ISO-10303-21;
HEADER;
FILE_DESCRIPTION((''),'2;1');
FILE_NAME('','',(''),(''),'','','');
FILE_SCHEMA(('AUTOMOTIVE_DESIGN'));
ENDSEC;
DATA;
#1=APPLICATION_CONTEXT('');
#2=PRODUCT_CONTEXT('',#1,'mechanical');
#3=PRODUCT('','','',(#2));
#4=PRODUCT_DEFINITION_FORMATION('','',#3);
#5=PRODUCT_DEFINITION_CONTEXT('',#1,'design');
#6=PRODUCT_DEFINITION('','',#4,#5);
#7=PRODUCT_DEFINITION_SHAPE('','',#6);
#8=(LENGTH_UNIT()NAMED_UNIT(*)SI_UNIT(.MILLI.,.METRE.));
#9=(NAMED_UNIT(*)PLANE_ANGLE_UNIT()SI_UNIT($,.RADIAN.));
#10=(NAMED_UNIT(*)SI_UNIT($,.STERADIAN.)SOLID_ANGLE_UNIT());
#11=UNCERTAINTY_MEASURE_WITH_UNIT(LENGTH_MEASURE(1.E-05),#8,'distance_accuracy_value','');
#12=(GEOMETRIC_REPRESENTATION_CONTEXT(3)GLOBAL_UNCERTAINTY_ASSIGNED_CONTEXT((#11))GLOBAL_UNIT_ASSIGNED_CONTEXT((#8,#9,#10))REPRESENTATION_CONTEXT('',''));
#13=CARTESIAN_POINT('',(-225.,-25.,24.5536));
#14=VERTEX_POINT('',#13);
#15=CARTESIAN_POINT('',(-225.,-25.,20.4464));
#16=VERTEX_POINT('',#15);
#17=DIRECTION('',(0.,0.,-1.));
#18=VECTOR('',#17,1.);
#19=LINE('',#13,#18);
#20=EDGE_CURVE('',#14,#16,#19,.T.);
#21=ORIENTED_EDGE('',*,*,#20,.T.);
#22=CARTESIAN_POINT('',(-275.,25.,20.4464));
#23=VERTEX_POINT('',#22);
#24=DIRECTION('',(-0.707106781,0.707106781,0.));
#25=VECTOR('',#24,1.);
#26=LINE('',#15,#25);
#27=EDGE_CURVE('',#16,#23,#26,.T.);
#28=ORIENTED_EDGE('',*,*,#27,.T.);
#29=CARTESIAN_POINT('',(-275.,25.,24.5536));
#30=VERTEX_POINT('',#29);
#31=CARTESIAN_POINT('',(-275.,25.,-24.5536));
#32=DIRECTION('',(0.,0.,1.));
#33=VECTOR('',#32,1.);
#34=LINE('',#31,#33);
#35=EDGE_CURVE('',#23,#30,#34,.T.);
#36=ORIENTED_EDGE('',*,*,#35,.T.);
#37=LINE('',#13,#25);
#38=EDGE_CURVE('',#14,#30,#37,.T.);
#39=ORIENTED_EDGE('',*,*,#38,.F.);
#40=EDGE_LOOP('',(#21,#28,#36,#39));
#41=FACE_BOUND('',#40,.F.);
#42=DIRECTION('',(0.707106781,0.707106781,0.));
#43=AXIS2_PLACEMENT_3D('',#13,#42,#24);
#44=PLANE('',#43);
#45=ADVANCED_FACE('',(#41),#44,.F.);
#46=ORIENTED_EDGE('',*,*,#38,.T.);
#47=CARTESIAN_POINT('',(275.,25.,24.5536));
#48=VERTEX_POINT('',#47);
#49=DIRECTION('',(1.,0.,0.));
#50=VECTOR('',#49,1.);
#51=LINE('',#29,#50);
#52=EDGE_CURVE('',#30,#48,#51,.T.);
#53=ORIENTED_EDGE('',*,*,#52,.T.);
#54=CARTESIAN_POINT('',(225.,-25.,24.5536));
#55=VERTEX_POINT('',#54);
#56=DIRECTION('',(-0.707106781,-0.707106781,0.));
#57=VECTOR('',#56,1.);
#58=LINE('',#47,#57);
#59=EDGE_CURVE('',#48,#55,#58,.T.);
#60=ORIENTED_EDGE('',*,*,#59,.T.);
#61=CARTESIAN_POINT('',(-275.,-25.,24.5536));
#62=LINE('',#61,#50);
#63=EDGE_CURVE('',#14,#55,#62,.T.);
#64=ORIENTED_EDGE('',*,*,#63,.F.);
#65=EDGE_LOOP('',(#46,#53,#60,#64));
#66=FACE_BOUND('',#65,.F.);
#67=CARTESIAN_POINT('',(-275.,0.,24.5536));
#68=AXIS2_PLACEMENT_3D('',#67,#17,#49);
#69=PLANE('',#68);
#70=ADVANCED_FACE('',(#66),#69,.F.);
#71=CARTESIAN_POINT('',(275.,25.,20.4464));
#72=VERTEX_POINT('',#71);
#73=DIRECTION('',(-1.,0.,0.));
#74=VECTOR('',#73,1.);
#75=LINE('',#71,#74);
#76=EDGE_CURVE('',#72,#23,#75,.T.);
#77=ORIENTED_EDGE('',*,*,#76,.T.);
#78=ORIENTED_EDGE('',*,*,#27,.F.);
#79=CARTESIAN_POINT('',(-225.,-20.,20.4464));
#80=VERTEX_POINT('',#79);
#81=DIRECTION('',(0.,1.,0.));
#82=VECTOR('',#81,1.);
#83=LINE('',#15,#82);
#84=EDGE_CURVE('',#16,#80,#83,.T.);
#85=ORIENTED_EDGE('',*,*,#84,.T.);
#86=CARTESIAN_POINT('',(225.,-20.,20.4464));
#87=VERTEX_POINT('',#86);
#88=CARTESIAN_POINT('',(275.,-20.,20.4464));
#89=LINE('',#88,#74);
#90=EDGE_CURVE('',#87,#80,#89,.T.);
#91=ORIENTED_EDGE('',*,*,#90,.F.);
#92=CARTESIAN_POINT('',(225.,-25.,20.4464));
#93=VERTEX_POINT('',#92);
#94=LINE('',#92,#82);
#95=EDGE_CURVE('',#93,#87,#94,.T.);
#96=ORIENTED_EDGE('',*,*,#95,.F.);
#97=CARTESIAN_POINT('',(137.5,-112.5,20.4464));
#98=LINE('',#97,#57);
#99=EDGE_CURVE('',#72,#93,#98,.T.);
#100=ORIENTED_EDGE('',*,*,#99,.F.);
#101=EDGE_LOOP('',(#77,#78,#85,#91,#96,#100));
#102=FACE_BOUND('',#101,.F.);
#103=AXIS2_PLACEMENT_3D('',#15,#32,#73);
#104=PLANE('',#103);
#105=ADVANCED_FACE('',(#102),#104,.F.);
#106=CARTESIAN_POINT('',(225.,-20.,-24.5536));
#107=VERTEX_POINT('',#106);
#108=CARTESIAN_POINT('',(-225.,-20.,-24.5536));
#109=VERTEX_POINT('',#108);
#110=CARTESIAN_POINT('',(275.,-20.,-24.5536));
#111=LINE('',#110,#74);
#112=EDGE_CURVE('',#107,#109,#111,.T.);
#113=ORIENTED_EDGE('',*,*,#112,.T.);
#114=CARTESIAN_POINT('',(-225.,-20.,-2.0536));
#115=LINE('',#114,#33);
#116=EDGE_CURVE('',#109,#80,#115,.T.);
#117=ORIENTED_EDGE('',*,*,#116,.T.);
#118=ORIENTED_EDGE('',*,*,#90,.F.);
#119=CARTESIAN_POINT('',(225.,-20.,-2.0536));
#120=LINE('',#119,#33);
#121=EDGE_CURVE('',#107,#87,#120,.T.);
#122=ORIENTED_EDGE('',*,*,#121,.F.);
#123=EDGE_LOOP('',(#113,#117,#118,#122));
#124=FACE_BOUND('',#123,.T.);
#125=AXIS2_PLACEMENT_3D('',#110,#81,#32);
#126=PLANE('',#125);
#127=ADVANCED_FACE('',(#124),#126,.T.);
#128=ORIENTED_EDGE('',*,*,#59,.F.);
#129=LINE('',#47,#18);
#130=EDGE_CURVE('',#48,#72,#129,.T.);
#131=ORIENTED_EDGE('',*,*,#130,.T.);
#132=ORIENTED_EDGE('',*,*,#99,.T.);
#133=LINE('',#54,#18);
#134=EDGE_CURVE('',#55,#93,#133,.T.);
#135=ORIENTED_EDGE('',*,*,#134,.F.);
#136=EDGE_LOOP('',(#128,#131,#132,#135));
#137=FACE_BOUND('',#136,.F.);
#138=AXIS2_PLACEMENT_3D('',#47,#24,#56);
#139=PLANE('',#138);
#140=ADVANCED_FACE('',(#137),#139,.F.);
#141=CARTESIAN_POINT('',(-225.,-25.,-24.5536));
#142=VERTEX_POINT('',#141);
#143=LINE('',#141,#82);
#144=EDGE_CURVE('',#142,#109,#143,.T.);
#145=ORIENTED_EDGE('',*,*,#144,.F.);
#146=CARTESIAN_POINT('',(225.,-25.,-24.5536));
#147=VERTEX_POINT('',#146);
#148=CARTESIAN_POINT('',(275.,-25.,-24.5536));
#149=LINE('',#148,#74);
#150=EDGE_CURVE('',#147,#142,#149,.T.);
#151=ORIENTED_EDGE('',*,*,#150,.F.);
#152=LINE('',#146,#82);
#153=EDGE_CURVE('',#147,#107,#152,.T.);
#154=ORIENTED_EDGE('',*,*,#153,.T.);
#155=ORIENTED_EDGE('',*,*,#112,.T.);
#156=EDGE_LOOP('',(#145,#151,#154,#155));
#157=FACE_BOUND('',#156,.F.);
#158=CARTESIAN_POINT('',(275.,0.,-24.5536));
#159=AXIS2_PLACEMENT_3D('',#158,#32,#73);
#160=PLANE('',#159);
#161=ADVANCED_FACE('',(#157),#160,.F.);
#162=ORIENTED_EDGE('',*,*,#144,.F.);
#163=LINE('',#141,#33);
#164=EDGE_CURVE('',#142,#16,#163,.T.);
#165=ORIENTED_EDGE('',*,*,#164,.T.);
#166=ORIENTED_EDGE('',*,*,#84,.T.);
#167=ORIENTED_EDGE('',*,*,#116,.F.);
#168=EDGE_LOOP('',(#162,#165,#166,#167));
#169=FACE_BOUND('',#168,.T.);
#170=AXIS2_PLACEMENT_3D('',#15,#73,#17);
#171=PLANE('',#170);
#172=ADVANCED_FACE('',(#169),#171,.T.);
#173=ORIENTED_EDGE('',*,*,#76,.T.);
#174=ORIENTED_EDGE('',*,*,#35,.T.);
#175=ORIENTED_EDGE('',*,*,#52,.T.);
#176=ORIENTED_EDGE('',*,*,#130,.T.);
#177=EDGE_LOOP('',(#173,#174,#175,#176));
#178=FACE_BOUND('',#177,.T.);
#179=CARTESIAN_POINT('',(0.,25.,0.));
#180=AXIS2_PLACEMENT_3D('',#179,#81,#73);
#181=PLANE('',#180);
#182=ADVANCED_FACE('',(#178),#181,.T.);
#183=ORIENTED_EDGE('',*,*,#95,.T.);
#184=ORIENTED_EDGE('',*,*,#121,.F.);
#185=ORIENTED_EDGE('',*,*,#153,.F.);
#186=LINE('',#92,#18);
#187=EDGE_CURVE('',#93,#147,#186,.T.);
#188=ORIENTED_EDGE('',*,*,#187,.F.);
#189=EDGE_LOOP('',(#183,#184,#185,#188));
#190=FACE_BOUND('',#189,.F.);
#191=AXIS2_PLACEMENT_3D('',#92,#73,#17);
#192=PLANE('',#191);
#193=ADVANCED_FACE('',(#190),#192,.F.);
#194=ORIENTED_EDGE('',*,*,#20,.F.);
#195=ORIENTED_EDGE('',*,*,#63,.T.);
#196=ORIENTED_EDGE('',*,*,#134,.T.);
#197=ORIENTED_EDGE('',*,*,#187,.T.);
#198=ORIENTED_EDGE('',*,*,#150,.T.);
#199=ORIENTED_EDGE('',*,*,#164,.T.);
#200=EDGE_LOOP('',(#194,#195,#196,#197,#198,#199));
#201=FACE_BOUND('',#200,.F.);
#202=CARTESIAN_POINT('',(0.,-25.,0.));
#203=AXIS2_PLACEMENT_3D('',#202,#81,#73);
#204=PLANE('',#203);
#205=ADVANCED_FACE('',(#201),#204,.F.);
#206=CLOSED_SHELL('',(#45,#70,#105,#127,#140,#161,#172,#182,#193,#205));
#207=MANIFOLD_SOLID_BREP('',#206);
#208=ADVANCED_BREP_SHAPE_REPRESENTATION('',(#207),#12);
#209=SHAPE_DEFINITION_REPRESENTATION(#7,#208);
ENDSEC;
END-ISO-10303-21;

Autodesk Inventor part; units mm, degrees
ref_plane "YZ Plane" through (0, 0, 0) normal (1, 0, 0) x (0, 1, 0)
ref_plane "XZ Plane" through (0, 0, 0) normal (0, 1, 0) x (-1, 0, 0)
ref_plane "XY Plane" through (0, 0, 0) normal (0, 0, 1) x (1, 0, 0)
sketch "Sketch1" plane through (0, 0, 0) normal (0, 1, 0) x (-1, 0, 0)
  line L0 (275, 24.5536) -> (-275, 24.5536)
  line L1 (-275, 24.5536) -> (-275, -24.5536)
  line L2 (-275, -24.5536) -> (275, -24.5536)
  line L3 (275, -24.5536) -> (275, 24.5536)
  point P0 (0, 0)
  dimension "d14" = 550
extrude "Extrusion1" add sketch "Sketch1" along normal mid plane 50
sketch "Sketch2" plane through (275, -25, -24.5536) normal (1, 0, 0) x (0, 0, -1)
  line L0 (0, 0) -> (0, 5)
  line L1 (0, 0) -> (0, 50) projected
  line L2 (0, 5) -> (-45, 5)
  line L3 (-45, 5) -> (-45, 50)
  line L4 (-49.1071, 50) -> (0, 50) projected
  line L5 (-45, 50) -> (0, 50)
  line L6 (0, 50) -> (0, 5)
  point P0 (-24.5536, 25)
extrude "Extrusion2" cut sketch "Sketch2" against normal through all
sketch "Sketch5" plane through (0, -25, 0) normal (0, -1, 0) x (1, 0, 0)
  line L0 (275, 20.4464) -> (-275, 20.4464) projected
  line L1 (-275, -24.5536) -> (-275, 20.4464)
  line L2 (-275, 20.4464) -> (-225, 20.4464)
  line L3 (-225, 20.4464) -> (-225, -24.5536)
  line L4 (-225, -24.5536) -> (-275, -24.5536)
  line L5 (-275, -24.5536) -> (275, -24.5536) projected
  line L6 (275, -24.5536) -> (275, 20.4464)
  line L7 (275, -24.5536) -> (275, 24.5536) projected
  line L8 (275, 20.4464) -> (225, 20.4464)
  line L9 (225, 20.4464) -> (225, -24.5536)
  line L10 (225, -24.5536) -> (275, -24.5536)
  point P0 (0, 0)
extrude "Extrusion5" cut sketch "Sketch5" against normal blind 10 contours L6 L5 L9 L0 | L3 L4 L1 L0
sketch "Sketch6" plane through (-275, 25, 24.5536) normal (0, 0, 1) x (1, 0, 0)
  line L0 (50, -50) -> (50, -45) projected
  line L1 (50, -50) -> (0, 0)
  line L2 (0, 0) -> (0, -50)
  line L3 (0, -50) -> (50, -50)
  line L4 (550, -50) -> (0, -50) projected
  line L5 (500, -50) -> (550, -50)
  line L6 (550, -50) -> (550, 0) projected
  line L7 (550, -50) -> (550, 0)
  line L8 (550, 0) -> (500, -50)
  point P0 (275, -25)
extrude "Extrusion6" cut sketch "Sketch6" against normal blind 5
properties part number "angle2"
